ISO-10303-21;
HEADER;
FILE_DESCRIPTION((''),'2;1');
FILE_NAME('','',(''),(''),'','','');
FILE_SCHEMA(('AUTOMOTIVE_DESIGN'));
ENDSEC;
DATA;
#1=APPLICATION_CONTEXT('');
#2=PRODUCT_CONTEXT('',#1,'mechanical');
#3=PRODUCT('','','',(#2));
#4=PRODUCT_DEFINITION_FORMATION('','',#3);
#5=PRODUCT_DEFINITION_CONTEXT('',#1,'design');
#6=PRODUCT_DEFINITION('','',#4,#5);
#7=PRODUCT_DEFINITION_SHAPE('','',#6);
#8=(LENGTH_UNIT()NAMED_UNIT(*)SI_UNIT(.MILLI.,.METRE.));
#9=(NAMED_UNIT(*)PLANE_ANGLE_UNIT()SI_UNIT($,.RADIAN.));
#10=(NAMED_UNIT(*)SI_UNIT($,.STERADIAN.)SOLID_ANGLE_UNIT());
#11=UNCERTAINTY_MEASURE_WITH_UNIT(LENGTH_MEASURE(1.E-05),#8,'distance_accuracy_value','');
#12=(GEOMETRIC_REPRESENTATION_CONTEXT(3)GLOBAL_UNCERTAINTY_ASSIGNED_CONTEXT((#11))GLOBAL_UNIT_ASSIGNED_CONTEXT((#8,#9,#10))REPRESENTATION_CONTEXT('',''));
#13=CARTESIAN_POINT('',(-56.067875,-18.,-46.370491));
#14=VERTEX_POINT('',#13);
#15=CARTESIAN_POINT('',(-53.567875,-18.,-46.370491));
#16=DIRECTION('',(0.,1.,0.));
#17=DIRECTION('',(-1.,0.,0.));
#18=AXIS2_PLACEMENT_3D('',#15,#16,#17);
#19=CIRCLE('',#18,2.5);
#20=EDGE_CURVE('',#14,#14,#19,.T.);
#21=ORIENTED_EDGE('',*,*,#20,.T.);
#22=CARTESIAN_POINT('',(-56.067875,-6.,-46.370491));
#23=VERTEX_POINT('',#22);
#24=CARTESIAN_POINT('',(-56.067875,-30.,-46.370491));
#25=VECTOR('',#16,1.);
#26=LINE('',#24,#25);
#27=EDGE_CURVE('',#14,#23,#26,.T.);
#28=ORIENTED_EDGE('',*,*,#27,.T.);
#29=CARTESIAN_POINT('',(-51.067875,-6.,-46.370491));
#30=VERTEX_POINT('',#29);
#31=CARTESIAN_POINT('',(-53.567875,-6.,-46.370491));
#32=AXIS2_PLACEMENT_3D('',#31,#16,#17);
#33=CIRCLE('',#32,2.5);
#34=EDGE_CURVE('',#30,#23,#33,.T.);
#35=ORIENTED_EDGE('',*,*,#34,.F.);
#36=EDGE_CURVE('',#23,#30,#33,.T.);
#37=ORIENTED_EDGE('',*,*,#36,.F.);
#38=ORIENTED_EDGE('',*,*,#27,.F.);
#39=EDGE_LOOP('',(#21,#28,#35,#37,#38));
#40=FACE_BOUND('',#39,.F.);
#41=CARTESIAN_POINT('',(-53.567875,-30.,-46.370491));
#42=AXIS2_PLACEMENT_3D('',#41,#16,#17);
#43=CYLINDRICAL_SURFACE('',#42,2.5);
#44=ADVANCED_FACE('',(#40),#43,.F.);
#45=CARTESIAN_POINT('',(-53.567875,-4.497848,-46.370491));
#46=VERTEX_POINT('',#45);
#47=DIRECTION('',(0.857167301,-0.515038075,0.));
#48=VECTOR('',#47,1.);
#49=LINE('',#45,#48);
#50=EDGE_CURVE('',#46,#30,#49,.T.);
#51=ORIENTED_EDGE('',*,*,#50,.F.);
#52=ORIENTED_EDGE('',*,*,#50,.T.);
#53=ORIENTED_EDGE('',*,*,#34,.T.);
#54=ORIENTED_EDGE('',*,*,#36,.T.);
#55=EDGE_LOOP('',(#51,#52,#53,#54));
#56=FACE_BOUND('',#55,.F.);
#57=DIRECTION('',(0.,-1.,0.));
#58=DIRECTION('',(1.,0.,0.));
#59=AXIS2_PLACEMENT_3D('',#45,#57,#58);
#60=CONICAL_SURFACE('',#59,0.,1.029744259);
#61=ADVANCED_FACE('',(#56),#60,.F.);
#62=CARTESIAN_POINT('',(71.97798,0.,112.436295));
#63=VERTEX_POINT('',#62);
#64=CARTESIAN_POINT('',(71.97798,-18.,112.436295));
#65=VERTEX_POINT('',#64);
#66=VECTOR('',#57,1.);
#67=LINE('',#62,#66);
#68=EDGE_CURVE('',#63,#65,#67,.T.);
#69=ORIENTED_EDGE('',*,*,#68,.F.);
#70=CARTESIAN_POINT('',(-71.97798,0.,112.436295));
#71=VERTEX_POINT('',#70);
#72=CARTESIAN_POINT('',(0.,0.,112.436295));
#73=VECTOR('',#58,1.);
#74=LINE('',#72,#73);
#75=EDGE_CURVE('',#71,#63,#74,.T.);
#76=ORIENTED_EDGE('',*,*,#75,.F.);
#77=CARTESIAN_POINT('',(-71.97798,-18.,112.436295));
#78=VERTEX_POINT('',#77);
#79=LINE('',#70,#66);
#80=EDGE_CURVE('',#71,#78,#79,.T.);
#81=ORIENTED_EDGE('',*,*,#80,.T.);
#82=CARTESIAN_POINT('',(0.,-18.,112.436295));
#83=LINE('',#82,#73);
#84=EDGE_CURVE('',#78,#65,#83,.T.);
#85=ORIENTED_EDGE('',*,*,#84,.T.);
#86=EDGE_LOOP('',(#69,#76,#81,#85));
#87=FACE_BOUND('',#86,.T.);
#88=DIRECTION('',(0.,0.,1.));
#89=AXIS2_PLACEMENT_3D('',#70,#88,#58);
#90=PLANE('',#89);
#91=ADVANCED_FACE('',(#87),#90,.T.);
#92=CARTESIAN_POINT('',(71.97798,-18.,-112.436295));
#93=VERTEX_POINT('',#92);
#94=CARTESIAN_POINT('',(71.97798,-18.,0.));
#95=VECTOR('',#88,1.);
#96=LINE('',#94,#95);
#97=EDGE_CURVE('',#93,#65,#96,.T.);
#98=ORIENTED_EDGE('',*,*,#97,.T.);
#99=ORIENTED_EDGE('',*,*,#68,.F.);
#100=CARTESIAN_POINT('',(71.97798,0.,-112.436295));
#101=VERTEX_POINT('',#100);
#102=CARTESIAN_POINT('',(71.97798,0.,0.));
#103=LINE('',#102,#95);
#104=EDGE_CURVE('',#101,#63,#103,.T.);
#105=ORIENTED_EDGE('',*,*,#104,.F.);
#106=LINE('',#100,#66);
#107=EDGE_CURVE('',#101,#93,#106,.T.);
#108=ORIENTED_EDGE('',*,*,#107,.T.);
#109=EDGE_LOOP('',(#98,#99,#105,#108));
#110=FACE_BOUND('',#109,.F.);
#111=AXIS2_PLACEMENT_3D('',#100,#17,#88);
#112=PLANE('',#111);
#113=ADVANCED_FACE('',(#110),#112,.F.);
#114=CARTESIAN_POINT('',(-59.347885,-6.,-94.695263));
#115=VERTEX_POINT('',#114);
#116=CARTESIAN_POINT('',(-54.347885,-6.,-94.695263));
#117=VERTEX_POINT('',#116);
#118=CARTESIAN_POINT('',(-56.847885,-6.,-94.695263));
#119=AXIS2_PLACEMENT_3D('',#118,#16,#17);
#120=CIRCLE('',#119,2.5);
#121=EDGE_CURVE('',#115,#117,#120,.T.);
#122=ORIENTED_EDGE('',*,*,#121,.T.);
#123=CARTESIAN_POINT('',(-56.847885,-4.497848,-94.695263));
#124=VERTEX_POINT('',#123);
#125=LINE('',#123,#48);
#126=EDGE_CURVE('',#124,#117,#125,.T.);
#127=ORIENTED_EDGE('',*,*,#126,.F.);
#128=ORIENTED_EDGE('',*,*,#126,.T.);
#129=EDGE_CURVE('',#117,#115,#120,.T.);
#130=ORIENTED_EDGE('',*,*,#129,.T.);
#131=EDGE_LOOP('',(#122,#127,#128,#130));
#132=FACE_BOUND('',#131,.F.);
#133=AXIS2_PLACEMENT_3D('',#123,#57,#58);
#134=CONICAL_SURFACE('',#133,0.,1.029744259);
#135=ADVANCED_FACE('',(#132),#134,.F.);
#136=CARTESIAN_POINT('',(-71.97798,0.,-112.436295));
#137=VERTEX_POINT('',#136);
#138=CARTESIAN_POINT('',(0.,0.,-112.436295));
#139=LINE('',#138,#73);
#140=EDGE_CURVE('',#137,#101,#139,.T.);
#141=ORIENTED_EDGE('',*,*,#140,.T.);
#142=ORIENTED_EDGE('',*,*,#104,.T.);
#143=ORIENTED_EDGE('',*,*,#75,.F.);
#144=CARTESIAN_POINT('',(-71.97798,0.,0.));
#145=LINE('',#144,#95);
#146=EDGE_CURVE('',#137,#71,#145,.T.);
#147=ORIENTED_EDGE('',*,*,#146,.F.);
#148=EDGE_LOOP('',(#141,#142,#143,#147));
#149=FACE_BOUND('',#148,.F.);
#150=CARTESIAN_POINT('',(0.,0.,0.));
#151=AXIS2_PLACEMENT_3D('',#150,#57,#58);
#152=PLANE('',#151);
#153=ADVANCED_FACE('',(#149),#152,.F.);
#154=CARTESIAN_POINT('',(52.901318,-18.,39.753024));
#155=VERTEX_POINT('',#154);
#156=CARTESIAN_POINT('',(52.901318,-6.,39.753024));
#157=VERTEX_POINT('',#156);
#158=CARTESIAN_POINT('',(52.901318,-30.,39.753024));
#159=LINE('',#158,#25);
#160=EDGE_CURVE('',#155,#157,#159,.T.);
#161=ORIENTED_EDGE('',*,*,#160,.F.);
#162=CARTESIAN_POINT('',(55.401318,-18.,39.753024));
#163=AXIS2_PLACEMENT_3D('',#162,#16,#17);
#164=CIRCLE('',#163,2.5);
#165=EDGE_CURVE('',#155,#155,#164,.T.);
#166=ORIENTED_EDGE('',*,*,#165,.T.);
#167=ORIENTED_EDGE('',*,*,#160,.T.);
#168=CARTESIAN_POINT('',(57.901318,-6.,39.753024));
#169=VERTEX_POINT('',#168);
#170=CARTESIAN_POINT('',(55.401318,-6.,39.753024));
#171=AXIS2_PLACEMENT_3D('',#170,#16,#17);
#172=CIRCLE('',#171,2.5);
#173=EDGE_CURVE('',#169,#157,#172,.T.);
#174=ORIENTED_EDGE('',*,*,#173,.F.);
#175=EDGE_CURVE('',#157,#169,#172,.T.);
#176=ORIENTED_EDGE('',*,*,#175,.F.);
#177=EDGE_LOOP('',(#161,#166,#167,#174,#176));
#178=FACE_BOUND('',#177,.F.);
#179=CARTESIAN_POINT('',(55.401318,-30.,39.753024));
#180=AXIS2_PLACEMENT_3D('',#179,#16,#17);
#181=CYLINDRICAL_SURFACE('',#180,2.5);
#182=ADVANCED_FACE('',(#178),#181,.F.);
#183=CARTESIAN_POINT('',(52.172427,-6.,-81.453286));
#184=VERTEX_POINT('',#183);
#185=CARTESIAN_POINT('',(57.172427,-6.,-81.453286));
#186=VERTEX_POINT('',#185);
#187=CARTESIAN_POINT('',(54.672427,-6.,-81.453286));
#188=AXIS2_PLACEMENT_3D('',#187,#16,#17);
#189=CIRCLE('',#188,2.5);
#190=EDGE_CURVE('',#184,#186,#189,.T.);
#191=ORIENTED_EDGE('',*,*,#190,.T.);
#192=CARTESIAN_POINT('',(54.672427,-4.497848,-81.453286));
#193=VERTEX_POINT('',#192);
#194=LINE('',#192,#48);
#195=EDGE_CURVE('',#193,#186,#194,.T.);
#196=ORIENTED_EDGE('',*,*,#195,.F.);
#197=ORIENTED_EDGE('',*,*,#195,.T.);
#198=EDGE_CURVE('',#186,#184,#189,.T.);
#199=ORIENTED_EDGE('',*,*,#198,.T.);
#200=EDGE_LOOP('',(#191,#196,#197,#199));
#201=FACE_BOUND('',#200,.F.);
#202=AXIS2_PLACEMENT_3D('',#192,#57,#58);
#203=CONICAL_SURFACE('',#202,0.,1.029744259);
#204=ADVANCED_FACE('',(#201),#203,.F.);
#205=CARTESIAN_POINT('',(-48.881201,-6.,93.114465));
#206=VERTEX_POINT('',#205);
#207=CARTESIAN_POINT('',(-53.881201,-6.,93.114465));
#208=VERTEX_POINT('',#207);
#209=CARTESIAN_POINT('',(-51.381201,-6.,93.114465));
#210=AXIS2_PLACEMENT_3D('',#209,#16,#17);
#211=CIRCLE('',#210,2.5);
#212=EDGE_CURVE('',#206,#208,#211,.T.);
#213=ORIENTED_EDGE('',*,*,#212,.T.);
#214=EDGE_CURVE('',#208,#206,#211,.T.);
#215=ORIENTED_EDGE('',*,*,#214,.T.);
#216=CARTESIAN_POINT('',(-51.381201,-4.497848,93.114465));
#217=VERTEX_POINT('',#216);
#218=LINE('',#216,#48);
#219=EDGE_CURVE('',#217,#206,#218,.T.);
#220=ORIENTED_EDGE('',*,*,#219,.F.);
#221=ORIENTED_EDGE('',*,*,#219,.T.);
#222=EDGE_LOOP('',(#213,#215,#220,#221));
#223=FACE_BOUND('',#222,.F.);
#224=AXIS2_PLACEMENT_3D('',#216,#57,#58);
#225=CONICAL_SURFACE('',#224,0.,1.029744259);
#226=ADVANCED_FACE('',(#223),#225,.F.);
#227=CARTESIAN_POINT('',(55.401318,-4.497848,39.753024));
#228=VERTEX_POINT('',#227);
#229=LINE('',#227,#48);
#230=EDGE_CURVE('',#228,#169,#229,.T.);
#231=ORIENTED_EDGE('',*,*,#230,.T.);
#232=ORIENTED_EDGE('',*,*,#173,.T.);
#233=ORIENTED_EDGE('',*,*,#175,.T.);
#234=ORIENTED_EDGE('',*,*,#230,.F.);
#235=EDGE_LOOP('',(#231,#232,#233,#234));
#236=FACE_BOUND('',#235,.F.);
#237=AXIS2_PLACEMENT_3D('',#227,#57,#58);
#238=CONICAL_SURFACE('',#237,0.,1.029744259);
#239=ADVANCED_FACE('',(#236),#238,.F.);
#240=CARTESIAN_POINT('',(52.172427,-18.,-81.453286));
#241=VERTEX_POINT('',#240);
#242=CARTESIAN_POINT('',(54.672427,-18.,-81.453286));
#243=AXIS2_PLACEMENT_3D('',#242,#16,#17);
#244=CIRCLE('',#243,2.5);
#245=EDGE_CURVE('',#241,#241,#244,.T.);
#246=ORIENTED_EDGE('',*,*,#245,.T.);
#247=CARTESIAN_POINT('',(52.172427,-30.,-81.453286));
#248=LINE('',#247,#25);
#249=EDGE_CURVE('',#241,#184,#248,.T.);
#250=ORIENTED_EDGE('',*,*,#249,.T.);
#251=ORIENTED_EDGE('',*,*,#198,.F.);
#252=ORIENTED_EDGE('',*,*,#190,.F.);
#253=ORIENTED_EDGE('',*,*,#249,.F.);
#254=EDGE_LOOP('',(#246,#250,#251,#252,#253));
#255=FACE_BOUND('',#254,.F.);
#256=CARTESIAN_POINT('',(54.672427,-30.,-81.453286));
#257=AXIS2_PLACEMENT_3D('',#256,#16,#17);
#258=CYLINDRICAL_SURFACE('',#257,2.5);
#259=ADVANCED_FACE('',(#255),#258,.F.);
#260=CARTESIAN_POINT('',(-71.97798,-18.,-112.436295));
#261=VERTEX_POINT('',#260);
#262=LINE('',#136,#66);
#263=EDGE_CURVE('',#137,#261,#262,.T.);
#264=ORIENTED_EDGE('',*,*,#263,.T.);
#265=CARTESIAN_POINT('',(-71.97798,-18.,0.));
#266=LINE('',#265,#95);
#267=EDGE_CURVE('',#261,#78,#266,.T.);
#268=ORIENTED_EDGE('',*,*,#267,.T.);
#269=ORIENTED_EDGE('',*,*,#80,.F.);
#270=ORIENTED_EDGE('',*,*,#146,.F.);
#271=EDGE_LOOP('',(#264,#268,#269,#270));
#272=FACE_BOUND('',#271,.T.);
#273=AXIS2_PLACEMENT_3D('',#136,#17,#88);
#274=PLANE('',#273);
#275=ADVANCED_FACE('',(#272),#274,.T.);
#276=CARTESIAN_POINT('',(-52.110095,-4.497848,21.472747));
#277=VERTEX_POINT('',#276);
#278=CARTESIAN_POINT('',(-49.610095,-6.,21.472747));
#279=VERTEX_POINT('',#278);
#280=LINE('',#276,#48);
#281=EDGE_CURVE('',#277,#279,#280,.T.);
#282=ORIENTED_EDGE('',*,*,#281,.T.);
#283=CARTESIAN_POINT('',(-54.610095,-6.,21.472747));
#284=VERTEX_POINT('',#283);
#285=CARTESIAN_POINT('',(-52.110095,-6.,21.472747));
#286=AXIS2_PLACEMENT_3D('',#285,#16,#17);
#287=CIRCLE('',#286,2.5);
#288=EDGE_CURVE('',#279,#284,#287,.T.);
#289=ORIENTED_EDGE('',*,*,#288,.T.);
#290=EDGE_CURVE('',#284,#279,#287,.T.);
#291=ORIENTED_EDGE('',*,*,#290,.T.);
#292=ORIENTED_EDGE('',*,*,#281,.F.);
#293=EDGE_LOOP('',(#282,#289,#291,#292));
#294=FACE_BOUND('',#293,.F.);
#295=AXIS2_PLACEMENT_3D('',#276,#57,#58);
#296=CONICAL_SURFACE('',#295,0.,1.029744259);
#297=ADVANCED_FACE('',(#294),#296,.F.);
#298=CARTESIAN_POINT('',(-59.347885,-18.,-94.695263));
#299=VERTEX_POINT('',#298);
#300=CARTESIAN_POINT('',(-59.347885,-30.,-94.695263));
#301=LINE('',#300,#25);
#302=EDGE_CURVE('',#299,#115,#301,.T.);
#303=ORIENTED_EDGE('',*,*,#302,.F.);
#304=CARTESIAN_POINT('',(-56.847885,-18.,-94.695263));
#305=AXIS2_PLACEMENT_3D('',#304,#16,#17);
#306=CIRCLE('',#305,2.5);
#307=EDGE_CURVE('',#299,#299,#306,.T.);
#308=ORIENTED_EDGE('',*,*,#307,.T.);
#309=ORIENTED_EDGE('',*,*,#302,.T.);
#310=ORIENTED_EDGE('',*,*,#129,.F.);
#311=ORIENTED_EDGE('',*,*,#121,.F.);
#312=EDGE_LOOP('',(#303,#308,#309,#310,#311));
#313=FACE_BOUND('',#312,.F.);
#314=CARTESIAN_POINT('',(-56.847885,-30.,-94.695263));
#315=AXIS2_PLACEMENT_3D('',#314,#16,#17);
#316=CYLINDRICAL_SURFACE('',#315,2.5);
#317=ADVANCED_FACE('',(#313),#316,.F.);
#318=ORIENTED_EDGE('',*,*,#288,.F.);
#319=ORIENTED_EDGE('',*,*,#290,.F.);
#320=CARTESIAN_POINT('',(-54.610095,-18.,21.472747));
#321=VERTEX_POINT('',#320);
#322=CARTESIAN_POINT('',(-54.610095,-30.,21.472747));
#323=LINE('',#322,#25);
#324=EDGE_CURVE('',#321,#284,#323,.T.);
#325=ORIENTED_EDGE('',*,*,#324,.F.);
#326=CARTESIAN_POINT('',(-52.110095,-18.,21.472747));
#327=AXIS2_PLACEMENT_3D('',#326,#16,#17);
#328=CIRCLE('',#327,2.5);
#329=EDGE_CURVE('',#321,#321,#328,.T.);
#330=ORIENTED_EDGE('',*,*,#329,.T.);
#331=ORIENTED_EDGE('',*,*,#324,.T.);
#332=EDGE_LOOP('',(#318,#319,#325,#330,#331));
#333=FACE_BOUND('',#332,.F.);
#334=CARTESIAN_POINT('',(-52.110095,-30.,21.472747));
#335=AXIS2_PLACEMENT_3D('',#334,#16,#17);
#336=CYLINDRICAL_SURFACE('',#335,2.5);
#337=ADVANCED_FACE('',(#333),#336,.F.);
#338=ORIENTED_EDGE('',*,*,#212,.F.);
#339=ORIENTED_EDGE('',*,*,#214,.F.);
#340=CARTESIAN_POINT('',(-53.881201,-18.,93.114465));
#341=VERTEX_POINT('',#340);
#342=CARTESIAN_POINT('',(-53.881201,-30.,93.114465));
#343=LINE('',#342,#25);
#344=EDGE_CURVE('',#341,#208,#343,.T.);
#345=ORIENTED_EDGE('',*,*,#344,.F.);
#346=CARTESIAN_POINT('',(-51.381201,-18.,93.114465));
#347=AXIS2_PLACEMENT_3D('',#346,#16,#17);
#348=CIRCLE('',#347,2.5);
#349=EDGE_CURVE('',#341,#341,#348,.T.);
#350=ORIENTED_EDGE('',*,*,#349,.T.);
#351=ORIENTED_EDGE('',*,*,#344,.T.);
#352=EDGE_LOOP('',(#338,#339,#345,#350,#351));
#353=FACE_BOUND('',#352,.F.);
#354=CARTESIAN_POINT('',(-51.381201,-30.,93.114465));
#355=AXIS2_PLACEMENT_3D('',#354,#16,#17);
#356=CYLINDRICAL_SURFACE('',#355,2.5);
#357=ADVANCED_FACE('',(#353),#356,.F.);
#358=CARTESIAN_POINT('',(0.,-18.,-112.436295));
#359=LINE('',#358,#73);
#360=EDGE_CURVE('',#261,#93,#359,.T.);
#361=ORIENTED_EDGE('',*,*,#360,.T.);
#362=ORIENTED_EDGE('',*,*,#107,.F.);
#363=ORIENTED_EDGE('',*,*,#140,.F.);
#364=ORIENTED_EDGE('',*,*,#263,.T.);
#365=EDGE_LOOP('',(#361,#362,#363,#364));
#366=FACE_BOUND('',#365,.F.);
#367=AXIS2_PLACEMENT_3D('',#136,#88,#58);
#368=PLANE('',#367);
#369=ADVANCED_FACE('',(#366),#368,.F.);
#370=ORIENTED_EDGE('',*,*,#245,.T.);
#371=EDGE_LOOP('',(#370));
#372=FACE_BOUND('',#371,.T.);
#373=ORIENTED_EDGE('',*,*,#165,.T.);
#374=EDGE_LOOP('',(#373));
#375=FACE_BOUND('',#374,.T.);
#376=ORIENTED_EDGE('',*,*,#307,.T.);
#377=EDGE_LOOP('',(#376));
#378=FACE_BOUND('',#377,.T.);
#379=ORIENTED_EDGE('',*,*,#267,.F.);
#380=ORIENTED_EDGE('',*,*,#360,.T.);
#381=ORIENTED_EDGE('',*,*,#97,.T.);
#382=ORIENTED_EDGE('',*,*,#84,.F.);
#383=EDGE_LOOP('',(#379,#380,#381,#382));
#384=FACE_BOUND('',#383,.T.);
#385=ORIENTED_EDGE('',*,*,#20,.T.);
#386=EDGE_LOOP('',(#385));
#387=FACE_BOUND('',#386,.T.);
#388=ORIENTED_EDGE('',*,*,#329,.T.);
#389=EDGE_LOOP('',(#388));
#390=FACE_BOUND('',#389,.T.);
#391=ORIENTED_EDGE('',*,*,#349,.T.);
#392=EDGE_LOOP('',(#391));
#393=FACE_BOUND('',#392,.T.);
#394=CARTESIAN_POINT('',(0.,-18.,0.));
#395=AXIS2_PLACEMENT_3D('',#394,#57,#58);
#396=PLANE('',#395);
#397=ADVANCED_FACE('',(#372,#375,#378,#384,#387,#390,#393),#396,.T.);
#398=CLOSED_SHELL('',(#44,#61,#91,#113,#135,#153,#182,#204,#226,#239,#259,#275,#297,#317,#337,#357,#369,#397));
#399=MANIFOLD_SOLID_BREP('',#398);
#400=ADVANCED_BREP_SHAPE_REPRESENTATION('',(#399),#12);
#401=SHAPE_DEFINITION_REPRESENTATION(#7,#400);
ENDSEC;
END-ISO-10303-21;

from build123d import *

# Parameters (mm, degrees)
F0_W     = 143.9559608698
F0_H     = 224.8725891113
F1_DEPTH = 18
F3_D     = 5
F3_DEPTH = 12
F3_TIP   = 1.5021515476


with BuildPart() as f1:
    # F0 (on Front) → F1 (new body)
    with BuildSketch(Plane.XZ):
        Rectangle(F0_W, F0_H)
    extrude(amount=F1_DEPTH)

    # F3
    with Locations(Plane.XZ.offset(18)):
        with Locations((55.4013177752, 39.753023535), (-52.1100945771, 21.4727465063), (-51.381200552, 93.1144654751), (-53.5678751767, -46.3704913855), (-56.847885251, -94.6952626109), (54.6724274755, -81.4532861114)):
            Hole(F3_D / 2, depth=F3_DEPTH)
            with Locations((0, 0, -(F3_DEPTH + F3_TIP / 2))):  # 118° drill point
                Cone(0, F3_D / 2, F3_TIP, mode=Mode.SUBTRACT)


solid = f1.part
